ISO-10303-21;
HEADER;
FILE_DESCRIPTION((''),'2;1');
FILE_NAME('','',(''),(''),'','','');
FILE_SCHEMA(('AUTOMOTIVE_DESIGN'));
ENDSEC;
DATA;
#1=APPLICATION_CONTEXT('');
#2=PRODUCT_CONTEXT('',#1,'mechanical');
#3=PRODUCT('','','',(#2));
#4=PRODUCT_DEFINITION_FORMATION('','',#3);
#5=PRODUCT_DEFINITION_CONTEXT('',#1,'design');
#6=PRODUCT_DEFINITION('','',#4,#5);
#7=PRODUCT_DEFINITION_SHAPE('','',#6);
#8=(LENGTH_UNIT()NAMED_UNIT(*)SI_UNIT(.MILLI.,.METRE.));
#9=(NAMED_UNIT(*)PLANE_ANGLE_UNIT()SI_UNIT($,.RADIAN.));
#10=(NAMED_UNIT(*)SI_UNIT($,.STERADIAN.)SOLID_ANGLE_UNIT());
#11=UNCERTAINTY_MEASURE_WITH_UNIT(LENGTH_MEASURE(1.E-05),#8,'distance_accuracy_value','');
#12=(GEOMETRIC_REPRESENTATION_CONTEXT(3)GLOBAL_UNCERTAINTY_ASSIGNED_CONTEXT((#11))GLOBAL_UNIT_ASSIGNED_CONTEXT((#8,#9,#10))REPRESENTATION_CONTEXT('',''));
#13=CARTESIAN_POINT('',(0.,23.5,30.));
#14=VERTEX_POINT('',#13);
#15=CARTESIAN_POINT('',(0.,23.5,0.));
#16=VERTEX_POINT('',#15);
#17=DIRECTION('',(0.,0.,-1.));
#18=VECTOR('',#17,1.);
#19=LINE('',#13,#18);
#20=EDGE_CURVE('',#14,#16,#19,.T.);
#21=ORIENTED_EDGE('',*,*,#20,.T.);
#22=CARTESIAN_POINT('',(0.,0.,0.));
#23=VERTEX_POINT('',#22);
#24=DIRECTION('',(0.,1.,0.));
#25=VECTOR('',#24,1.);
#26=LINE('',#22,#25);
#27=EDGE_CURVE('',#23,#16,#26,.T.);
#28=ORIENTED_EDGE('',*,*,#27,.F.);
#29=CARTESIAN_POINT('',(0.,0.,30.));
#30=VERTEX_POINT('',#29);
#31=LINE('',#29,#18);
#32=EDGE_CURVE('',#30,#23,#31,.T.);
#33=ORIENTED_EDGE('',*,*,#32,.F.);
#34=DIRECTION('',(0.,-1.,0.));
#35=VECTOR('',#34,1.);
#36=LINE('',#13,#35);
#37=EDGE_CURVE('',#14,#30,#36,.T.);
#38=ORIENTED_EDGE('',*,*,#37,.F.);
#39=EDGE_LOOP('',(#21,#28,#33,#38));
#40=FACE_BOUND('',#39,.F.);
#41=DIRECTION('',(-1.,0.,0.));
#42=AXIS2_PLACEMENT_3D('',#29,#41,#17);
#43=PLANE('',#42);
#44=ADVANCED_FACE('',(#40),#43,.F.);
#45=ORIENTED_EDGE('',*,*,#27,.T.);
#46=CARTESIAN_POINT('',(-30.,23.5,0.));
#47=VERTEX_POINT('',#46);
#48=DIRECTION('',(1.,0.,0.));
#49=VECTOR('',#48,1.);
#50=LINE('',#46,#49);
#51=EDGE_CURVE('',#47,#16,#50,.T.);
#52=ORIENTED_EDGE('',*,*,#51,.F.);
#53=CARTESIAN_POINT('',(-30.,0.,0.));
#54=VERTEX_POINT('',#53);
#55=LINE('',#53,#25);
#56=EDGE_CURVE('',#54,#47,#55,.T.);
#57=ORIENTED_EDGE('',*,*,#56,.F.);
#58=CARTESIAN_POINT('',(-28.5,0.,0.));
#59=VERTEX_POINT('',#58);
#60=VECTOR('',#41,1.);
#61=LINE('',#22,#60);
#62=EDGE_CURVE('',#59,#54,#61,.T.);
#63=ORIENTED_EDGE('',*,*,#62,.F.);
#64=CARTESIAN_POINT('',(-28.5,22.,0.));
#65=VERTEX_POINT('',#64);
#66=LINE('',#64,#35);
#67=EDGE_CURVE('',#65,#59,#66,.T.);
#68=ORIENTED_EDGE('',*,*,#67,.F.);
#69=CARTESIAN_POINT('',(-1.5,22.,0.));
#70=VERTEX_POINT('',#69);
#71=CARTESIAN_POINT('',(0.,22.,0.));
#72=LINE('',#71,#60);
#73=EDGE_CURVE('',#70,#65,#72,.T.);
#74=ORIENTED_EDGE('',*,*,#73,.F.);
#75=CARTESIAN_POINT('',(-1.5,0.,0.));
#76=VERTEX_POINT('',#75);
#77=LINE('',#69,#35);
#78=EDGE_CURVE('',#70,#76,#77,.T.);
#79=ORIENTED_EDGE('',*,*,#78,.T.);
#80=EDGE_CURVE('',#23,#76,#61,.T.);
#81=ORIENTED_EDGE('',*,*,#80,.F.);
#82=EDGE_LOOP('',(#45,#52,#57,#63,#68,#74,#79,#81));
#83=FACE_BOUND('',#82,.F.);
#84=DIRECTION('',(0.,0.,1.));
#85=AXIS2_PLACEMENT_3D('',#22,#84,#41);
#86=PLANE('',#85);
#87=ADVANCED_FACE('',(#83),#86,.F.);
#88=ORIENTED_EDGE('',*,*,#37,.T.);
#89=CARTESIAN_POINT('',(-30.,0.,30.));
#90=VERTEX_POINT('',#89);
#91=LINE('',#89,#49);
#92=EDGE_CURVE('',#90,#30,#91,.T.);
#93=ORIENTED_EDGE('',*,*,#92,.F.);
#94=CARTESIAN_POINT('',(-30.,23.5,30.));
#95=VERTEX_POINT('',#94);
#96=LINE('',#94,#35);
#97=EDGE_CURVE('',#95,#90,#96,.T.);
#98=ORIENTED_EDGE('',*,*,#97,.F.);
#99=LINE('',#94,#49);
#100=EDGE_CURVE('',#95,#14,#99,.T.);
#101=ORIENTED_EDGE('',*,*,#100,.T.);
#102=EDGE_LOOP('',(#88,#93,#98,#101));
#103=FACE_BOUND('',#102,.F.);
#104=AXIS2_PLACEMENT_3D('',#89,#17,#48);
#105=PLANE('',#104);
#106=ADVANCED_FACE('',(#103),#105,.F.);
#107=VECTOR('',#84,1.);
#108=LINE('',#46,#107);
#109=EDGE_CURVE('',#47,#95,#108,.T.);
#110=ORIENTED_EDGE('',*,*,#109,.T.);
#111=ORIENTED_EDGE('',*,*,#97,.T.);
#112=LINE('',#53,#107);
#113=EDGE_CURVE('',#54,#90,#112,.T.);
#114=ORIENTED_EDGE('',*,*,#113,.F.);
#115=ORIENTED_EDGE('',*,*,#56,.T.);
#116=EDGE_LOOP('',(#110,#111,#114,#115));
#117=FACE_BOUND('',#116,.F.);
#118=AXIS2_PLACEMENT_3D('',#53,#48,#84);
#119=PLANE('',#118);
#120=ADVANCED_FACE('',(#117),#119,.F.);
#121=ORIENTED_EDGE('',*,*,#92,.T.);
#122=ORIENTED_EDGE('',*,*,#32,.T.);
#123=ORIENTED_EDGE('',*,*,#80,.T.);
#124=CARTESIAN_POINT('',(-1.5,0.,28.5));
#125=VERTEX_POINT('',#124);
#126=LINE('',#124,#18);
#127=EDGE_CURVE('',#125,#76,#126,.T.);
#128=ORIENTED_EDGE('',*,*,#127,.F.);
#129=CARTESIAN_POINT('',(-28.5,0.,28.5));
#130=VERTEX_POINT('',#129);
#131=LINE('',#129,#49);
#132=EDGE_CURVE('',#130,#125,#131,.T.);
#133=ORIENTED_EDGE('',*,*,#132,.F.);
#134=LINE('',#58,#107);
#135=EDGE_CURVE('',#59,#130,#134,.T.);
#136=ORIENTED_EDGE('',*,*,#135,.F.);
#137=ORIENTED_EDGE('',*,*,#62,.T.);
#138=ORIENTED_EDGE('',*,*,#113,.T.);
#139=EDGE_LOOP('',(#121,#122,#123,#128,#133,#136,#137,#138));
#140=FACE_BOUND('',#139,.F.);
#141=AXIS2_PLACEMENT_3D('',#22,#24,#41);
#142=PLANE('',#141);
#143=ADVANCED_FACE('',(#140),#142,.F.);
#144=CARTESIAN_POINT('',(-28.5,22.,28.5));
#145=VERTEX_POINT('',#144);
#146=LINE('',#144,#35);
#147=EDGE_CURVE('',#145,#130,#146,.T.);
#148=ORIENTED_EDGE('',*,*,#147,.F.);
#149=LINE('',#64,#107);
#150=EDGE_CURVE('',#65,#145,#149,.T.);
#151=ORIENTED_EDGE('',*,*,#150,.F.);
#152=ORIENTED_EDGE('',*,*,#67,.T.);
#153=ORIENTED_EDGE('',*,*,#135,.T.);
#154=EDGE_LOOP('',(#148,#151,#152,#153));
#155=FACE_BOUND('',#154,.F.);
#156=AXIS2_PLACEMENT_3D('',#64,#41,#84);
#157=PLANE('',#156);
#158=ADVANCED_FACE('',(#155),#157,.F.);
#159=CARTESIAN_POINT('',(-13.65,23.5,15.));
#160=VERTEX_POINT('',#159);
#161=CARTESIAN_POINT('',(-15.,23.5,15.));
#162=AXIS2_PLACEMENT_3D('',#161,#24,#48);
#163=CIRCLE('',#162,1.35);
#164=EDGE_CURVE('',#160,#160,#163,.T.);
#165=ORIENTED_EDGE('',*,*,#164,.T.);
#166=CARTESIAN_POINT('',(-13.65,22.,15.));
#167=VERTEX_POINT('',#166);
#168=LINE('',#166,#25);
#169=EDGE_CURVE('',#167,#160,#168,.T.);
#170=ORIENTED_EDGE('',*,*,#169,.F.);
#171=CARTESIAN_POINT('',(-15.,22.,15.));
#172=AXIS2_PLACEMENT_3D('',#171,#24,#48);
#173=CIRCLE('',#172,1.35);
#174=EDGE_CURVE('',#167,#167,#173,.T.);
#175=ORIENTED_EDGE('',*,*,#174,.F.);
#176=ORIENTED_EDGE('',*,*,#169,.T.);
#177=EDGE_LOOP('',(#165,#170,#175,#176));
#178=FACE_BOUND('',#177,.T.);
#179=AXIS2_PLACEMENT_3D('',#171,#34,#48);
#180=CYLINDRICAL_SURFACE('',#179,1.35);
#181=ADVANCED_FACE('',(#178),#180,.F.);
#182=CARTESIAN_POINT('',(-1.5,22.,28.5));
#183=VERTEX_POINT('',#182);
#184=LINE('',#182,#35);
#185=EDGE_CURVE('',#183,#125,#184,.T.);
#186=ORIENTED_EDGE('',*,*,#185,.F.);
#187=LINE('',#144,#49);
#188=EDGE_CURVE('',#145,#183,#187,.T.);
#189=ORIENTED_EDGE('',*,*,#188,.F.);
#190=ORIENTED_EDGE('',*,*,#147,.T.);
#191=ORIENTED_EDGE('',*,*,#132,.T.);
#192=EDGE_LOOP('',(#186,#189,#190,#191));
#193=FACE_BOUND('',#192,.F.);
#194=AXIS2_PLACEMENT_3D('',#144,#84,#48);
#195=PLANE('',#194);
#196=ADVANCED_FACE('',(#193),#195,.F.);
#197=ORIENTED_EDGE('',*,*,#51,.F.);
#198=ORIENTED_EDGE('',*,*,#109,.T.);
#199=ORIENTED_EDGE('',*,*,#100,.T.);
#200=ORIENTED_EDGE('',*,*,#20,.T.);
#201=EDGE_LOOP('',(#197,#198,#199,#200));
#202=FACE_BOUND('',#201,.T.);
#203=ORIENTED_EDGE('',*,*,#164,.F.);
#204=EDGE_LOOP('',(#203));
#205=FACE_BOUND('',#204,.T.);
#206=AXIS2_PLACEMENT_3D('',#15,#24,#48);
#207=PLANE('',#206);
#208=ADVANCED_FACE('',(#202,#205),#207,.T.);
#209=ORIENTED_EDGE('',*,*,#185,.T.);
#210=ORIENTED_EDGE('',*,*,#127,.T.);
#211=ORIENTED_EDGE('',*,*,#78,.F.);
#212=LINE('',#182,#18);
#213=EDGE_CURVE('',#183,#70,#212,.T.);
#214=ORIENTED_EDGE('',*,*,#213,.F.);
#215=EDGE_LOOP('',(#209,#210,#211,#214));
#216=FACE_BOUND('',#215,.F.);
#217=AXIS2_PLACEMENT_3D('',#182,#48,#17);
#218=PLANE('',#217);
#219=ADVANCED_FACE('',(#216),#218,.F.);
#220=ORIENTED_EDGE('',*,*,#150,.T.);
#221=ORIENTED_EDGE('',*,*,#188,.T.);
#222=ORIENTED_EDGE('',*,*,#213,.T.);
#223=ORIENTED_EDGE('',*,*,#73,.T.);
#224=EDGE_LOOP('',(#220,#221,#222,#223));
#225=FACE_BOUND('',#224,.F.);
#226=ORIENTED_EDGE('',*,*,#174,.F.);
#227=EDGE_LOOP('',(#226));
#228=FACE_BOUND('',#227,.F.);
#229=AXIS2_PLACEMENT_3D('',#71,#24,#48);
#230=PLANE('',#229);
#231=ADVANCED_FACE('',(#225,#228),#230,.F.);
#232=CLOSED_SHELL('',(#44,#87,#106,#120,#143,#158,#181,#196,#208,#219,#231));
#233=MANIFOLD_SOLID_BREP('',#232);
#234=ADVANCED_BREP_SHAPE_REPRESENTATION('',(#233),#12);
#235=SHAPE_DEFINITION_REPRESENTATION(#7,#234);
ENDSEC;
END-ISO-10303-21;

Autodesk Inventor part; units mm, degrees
ref_plane "YZ Plane" through (0, 0, 0) normal (1, 0, 0) x (0, 1, 0)
ref_plane "XZ Plane" through (0, 0, 0) normal (0, 1, 0) x (-1, 0, 0)
ref_plane "XY Plane" through (0, 0, 0) normal (0, 0, 1) x (1, 0, 0)
sketch "Skizze1" plane through (0, 0, 0) normal (0, 1, 0) x (-1, 0, 0)
  line L0 (0, 0) -> (30, 0)
  line L1 (30, 0) -> (30, 30)
  line L2 (30, 30) -> (0, 30)
  line L3 (0, 30) -> (0, 0)
  circle A0 centre (15, 15) radius 14.1
  dimension "d7" = 28.2
  dimension "d20" = 30
  dimension "d21" = 30
extrude "Extrusion1" add sketch "Skizze1" along normal blind 22 contours L3 L2 L1 L0 | A0
sketch "Skizze2" plane through (0, 22, 0) normal (0, 1, 0) x (1, 0, 0)
  line L0 (0, 0) -> (-30, 0) projected
  line L1 (-1.5, 0) -> (-28.5, 0)
  line L2 (-28.5, 0) -> (-28.5, -28.5)
  line L3 (-28.5, -28.5) -> (-1.5, -28.5)
  line L4 (-1.5, -28.5) -> (-1.5, 0)
  line L5 (-30, 0) -> (-30, -30) projected
  line L6 (0, -30) -> (0, 0) projected
  line L7 (-30, -30) -> (0, -30) projected
  dimension "d8" = 1.5
  dimension "d9" = 1.5
  dimension "d10" = 1.5
extrude "Extrusion2" cut sketch "Skizze2" against normal blind 22 contours L4 L3 L2 L0
sketch "Skizze5" plane through (0, 22, 0) normal (0, 1, 0) x (1, 0, 0)
  line L0 (-30, 0) -> (-30, -30) projected
  line L1 (0, 0) -> (-30, 0)
  line L2 (-30, 0) -> (-30, -30)
  line L3 (-30, -30) -> (0, -30)
  line L4 (0, -30) -> (0, 0)
  line L5 (-31.5556, 0) -> (-1.5, 0) construction
  circle A0 centre (-15, -15) radius 1.35
  line L6 (-1.5, -28.5) -> (-28.5, -28.5) projected
  line L7 (-1.5, 0) -> (-1.5, -28.5)
  line L8 (-28.5, -28.5) -> (-28.5, 0) projected
  line L9 (-1.5, -28.5) -> (-28.5, -28.5)
  dimension "d17" = 2.7
extrude "Extrusion4" add sketch "Skizze5" along normal blind 1.5
equation "\"Biegeradius\" = Stärke"
equation "\"BreiteBiegungsfreistellung\" = Stärke"
equation "\"TiefeBiegungsfreistellung\" = 0.5 * Stärke"
equation "\"GrößeEckenfreistellung\" = 4 * Stärke"
equation "\"MinimalRest\" = 2 * Stärke"
equation "\"Übergangsradius\" = Biegeradius"
equation "\"JacobiRadiusGröße\" = Biegeradius"
equation "\"Abstandsgröße\" = Stärke"
equation "\"Stärke\" = 0.5"
properties part number "Gehäuse Motor"
